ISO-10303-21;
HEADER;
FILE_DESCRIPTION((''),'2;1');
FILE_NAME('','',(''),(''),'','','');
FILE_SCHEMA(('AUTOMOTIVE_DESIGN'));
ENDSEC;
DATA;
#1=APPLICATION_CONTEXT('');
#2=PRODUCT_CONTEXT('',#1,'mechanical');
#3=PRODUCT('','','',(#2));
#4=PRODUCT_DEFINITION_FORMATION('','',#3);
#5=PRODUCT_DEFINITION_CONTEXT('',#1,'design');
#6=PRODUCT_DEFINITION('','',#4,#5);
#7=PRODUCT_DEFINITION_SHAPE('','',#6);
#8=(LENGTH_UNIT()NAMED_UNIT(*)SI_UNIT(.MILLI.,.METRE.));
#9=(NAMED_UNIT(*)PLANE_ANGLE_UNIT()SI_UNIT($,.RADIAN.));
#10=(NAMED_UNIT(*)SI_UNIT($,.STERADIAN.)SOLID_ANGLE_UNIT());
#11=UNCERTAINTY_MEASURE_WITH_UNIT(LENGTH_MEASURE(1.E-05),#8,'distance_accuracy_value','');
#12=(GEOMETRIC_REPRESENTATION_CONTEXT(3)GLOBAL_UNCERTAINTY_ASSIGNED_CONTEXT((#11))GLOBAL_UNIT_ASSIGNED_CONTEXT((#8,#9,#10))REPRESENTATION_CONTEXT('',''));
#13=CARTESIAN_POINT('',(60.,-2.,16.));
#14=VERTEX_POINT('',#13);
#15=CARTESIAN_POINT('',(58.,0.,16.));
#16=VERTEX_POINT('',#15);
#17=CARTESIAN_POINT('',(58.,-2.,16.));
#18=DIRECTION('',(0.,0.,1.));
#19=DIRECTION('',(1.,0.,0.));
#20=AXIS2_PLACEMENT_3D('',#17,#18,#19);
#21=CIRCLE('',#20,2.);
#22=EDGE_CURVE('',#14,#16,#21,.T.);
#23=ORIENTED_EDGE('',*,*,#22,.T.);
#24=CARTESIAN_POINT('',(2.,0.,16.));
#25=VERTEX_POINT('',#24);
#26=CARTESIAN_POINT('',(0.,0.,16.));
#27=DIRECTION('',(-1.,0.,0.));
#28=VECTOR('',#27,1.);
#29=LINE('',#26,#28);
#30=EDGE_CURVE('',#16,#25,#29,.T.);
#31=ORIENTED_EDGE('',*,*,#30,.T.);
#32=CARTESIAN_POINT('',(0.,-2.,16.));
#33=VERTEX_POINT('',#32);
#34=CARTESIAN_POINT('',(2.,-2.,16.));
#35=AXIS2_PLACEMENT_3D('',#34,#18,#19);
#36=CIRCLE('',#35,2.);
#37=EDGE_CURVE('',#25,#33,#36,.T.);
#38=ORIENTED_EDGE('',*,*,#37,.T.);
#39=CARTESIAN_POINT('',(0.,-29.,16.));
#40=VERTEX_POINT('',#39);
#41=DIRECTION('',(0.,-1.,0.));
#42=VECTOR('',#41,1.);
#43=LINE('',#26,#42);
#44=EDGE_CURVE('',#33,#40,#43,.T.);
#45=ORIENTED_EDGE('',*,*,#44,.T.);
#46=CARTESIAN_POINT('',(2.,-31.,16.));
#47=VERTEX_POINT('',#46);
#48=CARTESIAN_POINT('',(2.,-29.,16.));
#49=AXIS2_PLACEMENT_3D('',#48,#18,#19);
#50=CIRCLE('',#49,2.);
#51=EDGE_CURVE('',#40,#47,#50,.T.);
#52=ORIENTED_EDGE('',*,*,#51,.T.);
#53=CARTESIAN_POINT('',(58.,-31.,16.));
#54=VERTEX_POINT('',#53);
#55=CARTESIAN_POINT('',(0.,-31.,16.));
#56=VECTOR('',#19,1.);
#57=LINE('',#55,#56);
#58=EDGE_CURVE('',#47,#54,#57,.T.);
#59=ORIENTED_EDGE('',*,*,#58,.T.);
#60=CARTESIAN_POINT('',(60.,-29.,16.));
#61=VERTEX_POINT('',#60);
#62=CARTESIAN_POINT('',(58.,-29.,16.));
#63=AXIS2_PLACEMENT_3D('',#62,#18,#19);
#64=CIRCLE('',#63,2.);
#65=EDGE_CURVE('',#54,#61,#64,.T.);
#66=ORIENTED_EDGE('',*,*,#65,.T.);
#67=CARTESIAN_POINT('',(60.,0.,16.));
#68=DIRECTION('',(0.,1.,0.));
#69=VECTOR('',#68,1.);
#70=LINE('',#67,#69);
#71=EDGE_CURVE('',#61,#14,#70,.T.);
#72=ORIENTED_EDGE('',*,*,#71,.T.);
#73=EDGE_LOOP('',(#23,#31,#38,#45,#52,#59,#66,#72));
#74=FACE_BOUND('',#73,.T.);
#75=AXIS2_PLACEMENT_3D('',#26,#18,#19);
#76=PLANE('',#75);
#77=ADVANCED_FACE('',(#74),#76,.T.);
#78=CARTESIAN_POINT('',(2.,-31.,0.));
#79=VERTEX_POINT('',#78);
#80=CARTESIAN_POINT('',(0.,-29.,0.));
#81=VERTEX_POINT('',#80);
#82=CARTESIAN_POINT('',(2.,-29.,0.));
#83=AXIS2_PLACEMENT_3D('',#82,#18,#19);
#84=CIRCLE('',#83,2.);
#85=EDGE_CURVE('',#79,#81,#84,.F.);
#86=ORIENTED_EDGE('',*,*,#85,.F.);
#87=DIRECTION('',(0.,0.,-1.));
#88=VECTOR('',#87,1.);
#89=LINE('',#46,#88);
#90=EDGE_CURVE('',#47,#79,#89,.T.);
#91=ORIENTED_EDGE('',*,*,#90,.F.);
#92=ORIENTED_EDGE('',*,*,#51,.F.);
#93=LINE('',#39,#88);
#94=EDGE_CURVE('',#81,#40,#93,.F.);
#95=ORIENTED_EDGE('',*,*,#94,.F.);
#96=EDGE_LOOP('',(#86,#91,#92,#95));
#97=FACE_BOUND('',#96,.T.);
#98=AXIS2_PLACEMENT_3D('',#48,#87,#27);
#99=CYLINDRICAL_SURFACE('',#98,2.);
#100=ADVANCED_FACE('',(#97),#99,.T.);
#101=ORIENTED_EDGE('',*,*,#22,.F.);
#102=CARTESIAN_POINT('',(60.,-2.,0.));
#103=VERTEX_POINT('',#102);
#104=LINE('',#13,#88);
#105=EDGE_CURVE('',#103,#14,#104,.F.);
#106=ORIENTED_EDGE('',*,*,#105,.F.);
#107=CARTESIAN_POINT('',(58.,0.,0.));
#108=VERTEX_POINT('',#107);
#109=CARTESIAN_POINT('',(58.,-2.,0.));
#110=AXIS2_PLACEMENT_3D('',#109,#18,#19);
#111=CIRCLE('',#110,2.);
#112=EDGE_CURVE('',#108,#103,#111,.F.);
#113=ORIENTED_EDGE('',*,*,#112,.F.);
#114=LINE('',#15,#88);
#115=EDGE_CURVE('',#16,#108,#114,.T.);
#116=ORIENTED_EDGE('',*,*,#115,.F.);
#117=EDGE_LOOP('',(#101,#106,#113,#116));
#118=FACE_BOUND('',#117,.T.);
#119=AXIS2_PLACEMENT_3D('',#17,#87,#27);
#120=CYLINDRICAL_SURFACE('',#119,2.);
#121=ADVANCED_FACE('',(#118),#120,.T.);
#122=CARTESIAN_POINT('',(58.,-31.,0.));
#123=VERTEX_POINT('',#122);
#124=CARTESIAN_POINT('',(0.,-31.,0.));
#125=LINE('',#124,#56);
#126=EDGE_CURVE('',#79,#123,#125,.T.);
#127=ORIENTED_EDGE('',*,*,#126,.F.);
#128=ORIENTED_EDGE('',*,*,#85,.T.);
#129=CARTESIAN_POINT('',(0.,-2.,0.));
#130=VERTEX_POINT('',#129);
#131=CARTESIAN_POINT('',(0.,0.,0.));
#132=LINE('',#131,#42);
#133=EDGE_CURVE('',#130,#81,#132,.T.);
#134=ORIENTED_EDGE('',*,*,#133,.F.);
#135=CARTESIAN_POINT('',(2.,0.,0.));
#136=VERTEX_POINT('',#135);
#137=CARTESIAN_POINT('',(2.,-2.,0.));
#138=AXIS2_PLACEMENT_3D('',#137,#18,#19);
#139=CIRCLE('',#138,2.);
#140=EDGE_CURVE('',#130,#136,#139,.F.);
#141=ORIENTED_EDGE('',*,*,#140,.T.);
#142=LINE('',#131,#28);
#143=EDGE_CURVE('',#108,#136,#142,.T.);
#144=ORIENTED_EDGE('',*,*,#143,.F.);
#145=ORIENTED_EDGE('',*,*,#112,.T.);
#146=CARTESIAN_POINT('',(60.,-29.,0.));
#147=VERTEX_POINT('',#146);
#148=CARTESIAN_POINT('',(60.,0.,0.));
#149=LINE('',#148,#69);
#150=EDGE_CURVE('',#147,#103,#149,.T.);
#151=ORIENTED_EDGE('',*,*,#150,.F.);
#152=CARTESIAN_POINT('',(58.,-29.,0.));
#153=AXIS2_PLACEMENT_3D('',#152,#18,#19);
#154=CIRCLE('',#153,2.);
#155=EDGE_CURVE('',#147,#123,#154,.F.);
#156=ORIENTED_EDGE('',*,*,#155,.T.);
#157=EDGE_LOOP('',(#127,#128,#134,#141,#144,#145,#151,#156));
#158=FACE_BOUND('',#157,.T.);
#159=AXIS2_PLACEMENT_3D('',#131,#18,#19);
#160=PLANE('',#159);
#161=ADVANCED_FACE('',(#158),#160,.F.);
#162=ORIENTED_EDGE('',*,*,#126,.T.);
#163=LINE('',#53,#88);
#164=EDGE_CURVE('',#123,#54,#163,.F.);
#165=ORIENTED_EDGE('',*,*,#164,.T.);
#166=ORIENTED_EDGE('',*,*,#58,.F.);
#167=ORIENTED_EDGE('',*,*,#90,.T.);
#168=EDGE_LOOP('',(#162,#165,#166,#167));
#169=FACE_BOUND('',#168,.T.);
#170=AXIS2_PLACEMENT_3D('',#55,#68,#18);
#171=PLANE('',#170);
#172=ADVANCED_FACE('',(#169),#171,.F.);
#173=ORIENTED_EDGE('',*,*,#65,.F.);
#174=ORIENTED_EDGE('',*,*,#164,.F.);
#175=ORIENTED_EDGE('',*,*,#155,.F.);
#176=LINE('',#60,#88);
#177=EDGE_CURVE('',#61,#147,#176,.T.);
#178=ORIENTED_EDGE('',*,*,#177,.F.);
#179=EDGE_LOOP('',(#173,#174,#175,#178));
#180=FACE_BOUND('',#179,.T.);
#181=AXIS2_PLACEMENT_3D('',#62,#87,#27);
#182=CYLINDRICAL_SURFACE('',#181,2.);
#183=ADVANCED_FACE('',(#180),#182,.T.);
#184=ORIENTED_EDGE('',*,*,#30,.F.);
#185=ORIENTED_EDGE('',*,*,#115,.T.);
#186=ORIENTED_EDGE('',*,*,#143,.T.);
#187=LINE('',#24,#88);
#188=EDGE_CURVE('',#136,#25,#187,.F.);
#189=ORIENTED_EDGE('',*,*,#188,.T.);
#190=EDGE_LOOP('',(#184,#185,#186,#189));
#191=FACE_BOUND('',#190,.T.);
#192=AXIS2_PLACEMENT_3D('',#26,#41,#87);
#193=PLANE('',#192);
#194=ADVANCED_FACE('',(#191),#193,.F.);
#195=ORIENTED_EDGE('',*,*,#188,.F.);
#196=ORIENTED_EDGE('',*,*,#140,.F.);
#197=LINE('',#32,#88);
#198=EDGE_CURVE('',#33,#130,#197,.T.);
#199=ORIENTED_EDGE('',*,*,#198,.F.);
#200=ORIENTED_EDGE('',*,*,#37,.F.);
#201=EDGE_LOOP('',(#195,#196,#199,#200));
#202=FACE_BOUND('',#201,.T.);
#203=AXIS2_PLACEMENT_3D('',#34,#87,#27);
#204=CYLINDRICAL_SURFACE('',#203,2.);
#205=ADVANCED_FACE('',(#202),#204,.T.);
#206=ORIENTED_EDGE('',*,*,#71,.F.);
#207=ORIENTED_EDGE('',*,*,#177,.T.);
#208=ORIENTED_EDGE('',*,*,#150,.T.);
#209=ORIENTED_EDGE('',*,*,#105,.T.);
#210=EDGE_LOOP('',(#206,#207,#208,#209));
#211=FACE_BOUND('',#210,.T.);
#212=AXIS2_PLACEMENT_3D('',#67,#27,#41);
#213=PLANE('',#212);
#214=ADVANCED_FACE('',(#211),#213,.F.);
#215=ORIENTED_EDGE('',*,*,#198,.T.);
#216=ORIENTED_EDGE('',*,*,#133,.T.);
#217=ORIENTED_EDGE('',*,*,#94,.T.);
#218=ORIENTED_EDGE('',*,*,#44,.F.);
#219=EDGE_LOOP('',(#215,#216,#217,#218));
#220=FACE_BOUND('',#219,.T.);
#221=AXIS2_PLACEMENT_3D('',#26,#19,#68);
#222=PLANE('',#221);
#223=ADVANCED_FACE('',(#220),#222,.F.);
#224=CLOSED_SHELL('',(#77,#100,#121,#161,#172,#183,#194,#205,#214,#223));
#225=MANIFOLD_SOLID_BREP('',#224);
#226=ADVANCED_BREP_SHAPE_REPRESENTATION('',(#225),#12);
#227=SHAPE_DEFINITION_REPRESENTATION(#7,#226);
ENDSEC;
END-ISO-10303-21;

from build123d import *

# Parameters (mm, degrees)
ESBO_O1_W                = 60
ESBO_O1_H                = 31
RESSALTO_EXTRUS_O1_DEPTH = 16
FILETE1_R                = 2


with BuildPart() as part:
    # Esboço1 → Ressalto-extrusão1 (new body)
    with BuildSketch(Plane.XY):
        with Locations((30, -15.5)):
            Rectangle(ESBO_O1_W, ESBO_O1_H)
    extrude(amount=RESSALTO_EXTRUS_O1_DEPTH)

    # Filete1
    filete1_edges = [part.edges().sort_by_distance(p)[0] for p in [
        (0, 0, 8),
        (60, 0, 8),
        (60, -31, 8),
        (0, -31, 8),
    ]]
    fillet(filete1_edges, radius=FILETE1_R)


solid = part.part
